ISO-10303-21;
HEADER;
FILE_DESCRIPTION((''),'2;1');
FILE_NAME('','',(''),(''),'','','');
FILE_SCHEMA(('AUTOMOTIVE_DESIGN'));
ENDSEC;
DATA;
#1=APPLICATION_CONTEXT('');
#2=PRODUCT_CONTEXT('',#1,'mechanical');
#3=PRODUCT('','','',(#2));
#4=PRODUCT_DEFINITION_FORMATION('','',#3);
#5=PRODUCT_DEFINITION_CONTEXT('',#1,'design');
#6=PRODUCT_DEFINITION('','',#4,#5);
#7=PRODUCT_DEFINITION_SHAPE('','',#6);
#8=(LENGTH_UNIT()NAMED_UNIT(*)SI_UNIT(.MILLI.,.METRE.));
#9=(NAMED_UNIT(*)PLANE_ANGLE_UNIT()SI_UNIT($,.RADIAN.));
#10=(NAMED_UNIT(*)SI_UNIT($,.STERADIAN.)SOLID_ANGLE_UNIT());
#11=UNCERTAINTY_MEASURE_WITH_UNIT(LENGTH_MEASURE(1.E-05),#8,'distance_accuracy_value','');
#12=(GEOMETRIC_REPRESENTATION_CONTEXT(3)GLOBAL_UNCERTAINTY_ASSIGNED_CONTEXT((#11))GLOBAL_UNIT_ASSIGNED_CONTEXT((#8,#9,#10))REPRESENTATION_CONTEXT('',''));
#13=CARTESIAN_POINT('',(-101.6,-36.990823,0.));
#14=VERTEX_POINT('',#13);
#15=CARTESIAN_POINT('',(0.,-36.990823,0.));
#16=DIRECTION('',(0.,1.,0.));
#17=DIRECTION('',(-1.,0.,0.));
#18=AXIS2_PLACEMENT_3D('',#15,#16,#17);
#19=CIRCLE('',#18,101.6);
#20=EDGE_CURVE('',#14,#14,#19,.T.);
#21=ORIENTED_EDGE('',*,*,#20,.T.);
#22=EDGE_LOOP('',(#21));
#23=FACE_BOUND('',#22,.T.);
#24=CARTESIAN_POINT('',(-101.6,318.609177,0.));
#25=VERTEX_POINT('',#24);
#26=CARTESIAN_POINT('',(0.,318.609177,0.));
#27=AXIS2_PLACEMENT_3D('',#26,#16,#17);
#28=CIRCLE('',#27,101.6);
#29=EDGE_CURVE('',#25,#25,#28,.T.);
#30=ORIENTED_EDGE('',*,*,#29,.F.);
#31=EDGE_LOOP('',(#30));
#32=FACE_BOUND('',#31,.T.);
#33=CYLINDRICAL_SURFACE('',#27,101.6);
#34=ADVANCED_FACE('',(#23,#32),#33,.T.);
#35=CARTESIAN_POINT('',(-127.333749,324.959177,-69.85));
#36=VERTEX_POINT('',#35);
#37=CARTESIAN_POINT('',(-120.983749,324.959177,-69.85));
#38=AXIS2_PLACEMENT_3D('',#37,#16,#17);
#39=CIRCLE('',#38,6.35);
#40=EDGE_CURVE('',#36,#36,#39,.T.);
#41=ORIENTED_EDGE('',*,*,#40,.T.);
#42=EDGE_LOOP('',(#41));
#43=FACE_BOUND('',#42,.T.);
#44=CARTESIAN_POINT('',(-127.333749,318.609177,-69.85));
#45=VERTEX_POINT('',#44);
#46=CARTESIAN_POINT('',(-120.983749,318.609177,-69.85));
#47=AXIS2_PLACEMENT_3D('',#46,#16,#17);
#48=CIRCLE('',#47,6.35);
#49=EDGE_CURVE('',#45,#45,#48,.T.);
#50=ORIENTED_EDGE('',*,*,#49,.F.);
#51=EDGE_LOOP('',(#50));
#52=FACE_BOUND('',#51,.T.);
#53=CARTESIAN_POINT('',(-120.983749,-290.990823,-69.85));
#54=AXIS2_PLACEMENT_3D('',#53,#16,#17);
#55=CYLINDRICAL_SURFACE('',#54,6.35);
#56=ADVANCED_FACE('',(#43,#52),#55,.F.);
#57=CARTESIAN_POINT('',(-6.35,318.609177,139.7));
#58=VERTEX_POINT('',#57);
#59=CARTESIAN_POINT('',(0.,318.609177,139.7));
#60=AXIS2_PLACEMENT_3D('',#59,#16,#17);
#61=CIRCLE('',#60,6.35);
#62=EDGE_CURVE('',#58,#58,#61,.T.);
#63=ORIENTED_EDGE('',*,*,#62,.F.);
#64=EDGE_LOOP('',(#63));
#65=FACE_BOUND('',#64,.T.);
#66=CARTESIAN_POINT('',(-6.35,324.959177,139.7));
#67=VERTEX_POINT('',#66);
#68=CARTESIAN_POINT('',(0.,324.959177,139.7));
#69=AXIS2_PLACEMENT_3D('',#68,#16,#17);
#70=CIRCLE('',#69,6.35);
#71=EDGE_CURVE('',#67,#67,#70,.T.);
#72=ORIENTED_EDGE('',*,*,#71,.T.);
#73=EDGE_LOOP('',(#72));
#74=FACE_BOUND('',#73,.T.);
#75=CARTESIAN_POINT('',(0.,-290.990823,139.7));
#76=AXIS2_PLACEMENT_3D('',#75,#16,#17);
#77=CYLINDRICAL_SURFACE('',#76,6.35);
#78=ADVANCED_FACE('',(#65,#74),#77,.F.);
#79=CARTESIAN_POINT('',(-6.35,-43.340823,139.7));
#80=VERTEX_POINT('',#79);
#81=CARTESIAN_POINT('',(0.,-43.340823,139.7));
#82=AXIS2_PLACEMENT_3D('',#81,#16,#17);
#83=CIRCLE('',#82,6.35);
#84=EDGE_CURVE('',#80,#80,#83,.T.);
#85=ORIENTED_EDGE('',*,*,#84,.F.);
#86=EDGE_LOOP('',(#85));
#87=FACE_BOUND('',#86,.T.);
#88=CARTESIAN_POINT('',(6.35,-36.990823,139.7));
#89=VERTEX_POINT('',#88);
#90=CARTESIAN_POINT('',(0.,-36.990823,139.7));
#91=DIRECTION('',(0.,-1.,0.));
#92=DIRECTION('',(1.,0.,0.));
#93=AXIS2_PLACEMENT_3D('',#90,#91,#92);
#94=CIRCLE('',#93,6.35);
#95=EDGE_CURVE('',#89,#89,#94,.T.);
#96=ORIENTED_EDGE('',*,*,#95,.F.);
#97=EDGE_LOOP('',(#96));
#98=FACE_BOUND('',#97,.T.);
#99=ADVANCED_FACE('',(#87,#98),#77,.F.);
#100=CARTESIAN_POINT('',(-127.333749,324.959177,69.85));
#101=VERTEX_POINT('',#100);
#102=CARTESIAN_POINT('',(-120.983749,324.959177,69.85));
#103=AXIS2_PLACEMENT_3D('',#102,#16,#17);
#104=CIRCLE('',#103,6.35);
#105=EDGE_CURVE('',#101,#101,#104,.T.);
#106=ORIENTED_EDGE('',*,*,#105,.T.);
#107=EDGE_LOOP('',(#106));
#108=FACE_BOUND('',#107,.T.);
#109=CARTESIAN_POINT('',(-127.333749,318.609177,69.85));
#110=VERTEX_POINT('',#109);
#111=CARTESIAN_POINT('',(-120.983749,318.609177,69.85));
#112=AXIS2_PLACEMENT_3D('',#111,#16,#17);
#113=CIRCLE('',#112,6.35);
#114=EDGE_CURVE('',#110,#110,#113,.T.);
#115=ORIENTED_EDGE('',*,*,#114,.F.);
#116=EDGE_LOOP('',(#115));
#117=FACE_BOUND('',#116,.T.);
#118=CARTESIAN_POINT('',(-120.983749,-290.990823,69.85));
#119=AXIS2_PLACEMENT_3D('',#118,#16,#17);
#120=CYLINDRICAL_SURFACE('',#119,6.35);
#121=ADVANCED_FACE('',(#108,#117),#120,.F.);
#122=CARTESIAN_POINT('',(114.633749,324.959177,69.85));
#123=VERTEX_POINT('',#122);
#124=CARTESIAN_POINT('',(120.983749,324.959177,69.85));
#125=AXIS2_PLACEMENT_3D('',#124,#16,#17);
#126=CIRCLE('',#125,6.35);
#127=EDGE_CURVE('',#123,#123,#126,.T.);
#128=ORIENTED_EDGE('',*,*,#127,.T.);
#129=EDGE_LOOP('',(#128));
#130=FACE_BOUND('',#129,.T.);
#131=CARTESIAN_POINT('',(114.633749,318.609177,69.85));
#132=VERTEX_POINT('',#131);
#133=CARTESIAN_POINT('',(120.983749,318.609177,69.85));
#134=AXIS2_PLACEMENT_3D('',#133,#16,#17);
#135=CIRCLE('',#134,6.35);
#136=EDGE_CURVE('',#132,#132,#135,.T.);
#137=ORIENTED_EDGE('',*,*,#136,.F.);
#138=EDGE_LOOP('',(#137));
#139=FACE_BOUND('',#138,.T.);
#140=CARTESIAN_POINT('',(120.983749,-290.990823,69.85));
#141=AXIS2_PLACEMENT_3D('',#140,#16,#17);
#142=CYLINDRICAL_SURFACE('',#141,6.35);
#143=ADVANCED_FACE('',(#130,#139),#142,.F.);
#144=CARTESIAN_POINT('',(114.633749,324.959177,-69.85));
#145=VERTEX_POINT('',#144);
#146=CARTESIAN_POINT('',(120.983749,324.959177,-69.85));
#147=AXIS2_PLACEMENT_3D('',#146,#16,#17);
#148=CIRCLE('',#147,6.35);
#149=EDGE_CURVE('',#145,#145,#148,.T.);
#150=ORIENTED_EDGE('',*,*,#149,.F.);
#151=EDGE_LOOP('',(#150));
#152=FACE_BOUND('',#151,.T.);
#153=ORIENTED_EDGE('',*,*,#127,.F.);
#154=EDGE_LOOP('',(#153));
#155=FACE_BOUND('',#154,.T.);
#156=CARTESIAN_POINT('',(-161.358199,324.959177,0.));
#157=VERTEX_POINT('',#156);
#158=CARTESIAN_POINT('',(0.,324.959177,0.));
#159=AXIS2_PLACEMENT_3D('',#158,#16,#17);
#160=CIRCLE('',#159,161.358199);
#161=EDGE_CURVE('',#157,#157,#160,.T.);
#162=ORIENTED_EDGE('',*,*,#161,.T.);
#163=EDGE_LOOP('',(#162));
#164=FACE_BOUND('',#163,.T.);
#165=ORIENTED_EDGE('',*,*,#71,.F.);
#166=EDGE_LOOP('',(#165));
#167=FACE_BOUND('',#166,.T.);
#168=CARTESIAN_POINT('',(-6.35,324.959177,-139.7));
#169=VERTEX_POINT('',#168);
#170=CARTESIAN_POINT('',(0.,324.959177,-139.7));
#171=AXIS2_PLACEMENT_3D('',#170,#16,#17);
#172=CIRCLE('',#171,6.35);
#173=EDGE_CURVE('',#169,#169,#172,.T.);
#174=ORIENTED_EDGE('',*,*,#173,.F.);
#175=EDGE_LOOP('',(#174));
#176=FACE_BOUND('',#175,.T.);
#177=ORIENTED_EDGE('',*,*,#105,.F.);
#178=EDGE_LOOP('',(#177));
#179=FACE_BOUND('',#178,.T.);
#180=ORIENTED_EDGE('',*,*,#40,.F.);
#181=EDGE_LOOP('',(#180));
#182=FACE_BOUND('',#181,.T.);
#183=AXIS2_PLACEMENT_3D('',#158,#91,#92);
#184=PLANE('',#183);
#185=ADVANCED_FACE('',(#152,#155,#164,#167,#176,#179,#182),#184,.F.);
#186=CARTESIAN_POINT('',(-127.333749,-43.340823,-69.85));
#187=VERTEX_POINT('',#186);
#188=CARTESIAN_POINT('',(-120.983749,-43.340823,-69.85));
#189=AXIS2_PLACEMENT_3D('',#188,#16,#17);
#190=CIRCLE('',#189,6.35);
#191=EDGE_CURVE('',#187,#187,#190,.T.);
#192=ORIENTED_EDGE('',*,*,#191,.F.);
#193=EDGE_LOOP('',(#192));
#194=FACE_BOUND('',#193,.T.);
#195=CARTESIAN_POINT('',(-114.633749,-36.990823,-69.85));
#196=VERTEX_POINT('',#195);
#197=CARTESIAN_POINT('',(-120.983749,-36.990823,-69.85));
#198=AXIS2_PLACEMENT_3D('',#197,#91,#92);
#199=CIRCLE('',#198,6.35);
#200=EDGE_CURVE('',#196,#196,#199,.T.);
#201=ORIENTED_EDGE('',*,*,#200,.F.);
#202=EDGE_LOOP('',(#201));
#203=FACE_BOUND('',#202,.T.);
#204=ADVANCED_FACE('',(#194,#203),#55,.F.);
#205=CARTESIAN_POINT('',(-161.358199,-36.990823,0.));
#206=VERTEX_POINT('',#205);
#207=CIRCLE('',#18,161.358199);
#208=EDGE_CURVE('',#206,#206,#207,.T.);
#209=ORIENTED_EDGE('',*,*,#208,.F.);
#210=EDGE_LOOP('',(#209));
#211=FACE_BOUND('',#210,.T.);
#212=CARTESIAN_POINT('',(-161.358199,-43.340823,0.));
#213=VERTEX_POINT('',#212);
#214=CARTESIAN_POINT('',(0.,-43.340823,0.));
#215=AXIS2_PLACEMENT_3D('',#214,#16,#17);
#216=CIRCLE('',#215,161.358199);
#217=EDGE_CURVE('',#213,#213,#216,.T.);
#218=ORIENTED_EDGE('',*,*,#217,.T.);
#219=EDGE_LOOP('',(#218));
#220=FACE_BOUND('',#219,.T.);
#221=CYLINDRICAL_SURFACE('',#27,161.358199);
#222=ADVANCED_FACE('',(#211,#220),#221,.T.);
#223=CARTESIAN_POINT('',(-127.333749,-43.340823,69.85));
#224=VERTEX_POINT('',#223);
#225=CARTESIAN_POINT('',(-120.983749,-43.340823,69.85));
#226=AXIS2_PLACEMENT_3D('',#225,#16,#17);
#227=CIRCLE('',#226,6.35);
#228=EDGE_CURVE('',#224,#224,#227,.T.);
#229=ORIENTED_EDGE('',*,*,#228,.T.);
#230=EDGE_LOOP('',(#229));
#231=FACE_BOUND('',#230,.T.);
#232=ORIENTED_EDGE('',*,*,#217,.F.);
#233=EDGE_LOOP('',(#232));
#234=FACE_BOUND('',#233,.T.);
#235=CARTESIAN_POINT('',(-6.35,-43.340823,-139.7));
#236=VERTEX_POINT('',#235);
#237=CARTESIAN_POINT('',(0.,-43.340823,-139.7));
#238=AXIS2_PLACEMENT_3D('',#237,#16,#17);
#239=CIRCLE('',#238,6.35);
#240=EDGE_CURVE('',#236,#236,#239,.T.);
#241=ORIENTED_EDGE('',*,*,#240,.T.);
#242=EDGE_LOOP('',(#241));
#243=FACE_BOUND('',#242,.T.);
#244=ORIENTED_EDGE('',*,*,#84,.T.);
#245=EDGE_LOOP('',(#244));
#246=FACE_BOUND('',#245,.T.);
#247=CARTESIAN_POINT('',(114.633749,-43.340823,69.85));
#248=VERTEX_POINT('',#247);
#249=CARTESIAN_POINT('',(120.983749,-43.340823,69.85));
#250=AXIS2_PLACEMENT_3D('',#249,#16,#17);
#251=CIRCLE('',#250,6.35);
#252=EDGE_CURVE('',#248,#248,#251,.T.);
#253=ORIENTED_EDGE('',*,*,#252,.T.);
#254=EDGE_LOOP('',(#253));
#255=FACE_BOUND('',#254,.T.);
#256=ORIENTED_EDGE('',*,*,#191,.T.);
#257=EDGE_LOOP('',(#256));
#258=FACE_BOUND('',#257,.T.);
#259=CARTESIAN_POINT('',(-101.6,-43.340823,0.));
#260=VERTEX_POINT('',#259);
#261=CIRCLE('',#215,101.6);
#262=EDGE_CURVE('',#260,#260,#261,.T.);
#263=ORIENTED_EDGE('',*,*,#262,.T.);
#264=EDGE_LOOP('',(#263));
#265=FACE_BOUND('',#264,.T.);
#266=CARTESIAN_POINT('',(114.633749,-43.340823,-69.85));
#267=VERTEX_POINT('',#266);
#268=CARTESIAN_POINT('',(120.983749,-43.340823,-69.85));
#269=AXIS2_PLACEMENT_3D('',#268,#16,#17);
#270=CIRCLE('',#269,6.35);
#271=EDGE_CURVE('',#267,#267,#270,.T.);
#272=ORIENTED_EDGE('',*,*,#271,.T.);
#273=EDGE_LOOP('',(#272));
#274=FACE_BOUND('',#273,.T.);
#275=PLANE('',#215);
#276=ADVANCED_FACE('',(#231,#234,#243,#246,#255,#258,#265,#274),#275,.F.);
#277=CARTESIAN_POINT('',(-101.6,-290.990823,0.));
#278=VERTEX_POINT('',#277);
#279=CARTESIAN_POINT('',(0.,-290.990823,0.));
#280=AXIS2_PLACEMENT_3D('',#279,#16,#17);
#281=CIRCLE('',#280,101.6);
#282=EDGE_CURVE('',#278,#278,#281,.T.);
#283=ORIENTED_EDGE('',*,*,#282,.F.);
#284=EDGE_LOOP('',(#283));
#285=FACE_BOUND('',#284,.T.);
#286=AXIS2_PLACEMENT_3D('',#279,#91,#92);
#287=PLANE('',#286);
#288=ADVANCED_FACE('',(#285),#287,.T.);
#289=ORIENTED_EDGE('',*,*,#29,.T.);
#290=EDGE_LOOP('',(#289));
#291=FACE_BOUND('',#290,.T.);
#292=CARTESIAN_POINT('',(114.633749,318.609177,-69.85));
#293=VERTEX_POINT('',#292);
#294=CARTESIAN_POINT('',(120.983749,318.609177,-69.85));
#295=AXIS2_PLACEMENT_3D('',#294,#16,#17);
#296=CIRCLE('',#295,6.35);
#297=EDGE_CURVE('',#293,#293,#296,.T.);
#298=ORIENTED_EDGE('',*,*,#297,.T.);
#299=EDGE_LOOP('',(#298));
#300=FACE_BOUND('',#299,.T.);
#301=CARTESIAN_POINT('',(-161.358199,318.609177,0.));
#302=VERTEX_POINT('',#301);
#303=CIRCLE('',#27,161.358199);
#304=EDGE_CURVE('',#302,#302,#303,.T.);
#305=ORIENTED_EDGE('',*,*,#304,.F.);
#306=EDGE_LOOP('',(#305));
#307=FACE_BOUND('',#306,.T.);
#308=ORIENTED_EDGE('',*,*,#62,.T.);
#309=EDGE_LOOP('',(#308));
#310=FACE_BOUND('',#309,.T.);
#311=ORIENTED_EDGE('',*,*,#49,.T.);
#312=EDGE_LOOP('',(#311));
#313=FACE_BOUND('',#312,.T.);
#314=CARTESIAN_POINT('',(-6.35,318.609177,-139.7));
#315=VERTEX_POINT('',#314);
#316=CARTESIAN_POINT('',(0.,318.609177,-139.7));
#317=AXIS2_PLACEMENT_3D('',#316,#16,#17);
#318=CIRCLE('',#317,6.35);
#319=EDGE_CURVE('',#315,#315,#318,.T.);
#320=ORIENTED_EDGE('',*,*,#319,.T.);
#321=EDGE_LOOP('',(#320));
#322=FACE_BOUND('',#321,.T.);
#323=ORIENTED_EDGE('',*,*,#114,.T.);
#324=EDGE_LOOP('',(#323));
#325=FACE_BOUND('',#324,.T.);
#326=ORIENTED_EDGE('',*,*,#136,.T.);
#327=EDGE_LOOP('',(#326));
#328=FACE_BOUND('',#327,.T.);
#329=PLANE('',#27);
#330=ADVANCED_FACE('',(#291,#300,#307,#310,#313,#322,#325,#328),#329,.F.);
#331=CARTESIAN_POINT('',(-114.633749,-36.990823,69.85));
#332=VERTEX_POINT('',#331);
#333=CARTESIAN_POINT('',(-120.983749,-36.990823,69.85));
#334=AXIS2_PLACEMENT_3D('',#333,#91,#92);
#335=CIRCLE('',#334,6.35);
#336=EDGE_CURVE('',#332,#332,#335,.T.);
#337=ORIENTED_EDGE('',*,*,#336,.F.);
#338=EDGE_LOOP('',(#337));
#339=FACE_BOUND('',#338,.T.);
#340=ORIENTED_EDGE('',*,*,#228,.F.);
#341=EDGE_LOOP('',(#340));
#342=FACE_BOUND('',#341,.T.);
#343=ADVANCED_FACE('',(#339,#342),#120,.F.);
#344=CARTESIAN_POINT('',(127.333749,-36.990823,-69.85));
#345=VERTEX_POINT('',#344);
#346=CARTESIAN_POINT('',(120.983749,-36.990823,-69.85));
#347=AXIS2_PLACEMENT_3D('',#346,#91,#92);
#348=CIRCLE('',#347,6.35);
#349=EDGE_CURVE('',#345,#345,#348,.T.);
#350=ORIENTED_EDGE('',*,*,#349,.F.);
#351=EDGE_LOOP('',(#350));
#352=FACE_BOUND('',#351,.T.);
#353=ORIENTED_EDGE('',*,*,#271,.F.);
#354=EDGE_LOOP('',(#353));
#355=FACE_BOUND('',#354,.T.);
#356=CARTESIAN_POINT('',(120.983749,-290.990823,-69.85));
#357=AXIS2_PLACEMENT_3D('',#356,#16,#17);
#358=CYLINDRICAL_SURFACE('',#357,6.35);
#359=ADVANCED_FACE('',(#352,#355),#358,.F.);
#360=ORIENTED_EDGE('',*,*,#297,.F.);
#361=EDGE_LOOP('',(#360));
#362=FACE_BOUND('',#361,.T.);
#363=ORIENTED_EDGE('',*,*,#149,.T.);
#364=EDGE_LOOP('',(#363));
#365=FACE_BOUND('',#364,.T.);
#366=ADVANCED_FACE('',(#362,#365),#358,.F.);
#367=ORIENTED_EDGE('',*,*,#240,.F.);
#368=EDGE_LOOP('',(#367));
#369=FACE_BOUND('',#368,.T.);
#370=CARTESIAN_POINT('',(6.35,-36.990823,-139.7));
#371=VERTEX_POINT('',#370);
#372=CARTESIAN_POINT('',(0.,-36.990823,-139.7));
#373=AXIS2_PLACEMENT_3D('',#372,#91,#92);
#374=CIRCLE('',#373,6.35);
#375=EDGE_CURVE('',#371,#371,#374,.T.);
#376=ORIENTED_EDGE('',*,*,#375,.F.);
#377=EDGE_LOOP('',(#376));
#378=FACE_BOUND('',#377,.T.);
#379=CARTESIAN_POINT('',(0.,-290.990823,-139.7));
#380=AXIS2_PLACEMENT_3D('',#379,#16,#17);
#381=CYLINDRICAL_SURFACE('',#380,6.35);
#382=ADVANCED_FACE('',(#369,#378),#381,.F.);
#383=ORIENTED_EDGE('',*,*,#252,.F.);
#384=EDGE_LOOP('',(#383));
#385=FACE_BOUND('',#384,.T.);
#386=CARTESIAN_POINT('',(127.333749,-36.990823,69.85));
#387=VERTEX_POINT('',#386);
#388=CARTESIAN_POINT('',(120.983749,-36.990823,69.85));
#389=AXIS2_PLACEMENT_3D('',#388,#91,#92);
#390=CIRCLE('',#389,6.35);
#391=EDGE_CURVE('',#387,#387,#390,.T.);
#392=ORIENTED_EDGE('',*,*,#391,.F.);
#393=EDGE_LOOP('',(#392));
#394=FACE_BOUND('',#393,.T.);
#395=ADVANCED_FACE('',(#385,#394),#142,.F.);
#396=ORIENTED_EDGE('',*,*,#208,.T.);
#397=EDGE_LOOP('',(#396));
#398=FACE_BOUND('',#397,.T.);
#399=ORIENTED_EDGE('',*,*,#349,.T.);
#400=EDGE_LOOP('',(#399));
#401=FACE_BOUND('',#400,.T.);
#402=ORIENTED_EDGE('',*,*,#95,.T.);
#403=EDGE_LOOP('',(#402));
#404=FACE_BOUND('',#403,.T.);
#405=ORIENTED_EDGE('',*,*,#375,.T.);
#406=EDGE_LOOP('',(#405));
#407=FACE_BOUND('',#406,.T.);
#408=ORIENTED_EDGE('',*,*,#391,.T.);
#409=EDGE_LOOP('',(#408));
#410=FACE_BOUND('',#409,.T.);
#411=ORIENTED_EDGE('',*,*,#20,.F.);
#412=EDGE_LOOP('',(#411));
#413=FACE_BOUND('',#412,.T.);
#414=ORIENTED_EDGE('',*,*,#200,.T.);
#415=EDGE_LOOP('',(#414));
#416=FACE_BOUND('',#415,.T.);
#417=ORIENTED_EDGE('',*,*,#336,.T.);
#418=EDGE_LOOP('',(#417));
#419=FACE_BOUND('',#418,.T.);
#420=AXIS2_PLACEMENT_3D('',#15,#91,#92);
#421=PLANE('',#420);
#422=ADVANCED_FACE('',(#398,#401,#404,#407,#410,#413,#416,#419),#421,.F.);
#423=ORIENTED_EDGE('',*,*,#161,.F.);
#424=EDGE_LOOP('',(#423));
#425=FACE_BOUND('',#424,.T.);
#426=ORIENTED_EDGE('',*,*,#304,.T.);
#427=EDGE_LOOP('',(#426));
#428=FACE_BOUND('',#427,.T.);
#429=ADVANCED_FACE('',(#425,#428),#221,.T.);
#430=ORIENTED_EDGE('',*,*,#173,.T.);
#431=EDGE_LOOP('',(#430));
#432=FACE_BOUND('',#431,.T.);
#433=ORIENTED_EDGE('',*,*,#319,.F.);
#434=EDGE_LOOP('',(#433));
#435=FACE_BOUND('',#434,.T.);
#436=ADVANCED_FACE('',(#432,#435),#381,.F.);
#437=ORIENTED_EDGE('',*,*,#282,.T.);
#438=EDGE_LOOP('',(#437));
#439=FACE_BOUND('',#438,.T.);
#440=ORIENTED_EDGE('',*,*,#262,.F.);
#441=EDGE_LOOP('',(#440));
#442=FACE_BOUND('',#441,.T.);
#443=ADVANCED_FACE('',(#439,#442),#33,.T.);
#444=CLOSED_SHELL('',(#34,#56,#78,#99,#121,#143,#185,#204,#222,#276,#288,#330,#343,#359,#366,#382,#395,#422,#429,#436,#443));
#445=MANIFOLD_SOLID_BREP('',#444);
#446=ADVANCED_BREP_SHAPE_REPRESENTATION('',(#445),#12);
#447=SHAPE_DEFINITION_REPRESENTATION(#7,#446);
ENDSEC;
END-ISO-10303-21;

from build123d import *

# Parameters (mm, degrees)
SKETCH2_R          = 6.35
CUT_EXTRUDE1_DEPTH = 657.861735142


with BuildPart() as part:
    # Sketch1 → Revolve1 (revolve)
    with BuildSketch(Plane.XY, mode=Mode.PRIVATE) as revolve1_sk:
        Polygon((101.6, -36.990823201), (101.6, 318.609176799), (161.358198728, 318.609176799), (161.358198728, 324.959176799), (101.6, 324.959176799), (0, 324.959176799), (0, 318.609176799), (0, -290.990823201), (101.6, -290.990823201), (101.6, -43.340823201), (161.358198728, -43.340823201), (161.358198728, -36.990823201), align=None)
        Polygon((101.6, 324.959176799), (0, 324.959176799), (0, 318.609176799), (0, -290.990823201), (101.6, -290.990823201), (101.6, -43.340823201), (161.358198728, -43.340823201), (161.358198728, -36.990823201), (101.6, -36.990823201), (101.6, 318.609176799), (161.358198728, 318.609176799), (161.358198728, 324.959176799), align=None)
    revolve(revolve1_sk.sketch.rotate(Axis((0, 318.609176799, 0), (0, -1, 0)), 180), axis=Axis((0, 318.609176799, 0), (0, -1, 0)))

    # Sketch2 → Cut-Extrude1 (cut, through all)
    with BuildSketch(Plane(origin=(0, 324.959176799, 0), x_dir=(1, 0, 0), z_dir=(0, 1, 0))):
        with Locations(Location((0, 139.7, 0), (0, 0, 180))):
            Circle(SKETCH2_R)
        with Locations(Location((120.983748909, 69.85, 0), (0, 0, 180))):
            Circle(SKETCH2_R)
        with Locations(Location((120.983748909, -69.85, 0), (0, 0, 180))):
            Circle(SKETCH2_R)
        with Locations(Location((0, -139.7, 0), (0, 0, 180))):
            Circle(SKETCH2_R)
        with Locations(Location((-120.983748909, -69.85, 0), (0, 0, 180))):
            Circle(SKETCH2_R)
        with Locations(Location((-120.983748909, 69.85, 0), (0, 0, 180))):
            Circle(SKETCH2_R)
    extrude(amount=-CUT_EXTRUDE1_DEPTH, mode=Mode.SUBTRACT)


solid = part.part
